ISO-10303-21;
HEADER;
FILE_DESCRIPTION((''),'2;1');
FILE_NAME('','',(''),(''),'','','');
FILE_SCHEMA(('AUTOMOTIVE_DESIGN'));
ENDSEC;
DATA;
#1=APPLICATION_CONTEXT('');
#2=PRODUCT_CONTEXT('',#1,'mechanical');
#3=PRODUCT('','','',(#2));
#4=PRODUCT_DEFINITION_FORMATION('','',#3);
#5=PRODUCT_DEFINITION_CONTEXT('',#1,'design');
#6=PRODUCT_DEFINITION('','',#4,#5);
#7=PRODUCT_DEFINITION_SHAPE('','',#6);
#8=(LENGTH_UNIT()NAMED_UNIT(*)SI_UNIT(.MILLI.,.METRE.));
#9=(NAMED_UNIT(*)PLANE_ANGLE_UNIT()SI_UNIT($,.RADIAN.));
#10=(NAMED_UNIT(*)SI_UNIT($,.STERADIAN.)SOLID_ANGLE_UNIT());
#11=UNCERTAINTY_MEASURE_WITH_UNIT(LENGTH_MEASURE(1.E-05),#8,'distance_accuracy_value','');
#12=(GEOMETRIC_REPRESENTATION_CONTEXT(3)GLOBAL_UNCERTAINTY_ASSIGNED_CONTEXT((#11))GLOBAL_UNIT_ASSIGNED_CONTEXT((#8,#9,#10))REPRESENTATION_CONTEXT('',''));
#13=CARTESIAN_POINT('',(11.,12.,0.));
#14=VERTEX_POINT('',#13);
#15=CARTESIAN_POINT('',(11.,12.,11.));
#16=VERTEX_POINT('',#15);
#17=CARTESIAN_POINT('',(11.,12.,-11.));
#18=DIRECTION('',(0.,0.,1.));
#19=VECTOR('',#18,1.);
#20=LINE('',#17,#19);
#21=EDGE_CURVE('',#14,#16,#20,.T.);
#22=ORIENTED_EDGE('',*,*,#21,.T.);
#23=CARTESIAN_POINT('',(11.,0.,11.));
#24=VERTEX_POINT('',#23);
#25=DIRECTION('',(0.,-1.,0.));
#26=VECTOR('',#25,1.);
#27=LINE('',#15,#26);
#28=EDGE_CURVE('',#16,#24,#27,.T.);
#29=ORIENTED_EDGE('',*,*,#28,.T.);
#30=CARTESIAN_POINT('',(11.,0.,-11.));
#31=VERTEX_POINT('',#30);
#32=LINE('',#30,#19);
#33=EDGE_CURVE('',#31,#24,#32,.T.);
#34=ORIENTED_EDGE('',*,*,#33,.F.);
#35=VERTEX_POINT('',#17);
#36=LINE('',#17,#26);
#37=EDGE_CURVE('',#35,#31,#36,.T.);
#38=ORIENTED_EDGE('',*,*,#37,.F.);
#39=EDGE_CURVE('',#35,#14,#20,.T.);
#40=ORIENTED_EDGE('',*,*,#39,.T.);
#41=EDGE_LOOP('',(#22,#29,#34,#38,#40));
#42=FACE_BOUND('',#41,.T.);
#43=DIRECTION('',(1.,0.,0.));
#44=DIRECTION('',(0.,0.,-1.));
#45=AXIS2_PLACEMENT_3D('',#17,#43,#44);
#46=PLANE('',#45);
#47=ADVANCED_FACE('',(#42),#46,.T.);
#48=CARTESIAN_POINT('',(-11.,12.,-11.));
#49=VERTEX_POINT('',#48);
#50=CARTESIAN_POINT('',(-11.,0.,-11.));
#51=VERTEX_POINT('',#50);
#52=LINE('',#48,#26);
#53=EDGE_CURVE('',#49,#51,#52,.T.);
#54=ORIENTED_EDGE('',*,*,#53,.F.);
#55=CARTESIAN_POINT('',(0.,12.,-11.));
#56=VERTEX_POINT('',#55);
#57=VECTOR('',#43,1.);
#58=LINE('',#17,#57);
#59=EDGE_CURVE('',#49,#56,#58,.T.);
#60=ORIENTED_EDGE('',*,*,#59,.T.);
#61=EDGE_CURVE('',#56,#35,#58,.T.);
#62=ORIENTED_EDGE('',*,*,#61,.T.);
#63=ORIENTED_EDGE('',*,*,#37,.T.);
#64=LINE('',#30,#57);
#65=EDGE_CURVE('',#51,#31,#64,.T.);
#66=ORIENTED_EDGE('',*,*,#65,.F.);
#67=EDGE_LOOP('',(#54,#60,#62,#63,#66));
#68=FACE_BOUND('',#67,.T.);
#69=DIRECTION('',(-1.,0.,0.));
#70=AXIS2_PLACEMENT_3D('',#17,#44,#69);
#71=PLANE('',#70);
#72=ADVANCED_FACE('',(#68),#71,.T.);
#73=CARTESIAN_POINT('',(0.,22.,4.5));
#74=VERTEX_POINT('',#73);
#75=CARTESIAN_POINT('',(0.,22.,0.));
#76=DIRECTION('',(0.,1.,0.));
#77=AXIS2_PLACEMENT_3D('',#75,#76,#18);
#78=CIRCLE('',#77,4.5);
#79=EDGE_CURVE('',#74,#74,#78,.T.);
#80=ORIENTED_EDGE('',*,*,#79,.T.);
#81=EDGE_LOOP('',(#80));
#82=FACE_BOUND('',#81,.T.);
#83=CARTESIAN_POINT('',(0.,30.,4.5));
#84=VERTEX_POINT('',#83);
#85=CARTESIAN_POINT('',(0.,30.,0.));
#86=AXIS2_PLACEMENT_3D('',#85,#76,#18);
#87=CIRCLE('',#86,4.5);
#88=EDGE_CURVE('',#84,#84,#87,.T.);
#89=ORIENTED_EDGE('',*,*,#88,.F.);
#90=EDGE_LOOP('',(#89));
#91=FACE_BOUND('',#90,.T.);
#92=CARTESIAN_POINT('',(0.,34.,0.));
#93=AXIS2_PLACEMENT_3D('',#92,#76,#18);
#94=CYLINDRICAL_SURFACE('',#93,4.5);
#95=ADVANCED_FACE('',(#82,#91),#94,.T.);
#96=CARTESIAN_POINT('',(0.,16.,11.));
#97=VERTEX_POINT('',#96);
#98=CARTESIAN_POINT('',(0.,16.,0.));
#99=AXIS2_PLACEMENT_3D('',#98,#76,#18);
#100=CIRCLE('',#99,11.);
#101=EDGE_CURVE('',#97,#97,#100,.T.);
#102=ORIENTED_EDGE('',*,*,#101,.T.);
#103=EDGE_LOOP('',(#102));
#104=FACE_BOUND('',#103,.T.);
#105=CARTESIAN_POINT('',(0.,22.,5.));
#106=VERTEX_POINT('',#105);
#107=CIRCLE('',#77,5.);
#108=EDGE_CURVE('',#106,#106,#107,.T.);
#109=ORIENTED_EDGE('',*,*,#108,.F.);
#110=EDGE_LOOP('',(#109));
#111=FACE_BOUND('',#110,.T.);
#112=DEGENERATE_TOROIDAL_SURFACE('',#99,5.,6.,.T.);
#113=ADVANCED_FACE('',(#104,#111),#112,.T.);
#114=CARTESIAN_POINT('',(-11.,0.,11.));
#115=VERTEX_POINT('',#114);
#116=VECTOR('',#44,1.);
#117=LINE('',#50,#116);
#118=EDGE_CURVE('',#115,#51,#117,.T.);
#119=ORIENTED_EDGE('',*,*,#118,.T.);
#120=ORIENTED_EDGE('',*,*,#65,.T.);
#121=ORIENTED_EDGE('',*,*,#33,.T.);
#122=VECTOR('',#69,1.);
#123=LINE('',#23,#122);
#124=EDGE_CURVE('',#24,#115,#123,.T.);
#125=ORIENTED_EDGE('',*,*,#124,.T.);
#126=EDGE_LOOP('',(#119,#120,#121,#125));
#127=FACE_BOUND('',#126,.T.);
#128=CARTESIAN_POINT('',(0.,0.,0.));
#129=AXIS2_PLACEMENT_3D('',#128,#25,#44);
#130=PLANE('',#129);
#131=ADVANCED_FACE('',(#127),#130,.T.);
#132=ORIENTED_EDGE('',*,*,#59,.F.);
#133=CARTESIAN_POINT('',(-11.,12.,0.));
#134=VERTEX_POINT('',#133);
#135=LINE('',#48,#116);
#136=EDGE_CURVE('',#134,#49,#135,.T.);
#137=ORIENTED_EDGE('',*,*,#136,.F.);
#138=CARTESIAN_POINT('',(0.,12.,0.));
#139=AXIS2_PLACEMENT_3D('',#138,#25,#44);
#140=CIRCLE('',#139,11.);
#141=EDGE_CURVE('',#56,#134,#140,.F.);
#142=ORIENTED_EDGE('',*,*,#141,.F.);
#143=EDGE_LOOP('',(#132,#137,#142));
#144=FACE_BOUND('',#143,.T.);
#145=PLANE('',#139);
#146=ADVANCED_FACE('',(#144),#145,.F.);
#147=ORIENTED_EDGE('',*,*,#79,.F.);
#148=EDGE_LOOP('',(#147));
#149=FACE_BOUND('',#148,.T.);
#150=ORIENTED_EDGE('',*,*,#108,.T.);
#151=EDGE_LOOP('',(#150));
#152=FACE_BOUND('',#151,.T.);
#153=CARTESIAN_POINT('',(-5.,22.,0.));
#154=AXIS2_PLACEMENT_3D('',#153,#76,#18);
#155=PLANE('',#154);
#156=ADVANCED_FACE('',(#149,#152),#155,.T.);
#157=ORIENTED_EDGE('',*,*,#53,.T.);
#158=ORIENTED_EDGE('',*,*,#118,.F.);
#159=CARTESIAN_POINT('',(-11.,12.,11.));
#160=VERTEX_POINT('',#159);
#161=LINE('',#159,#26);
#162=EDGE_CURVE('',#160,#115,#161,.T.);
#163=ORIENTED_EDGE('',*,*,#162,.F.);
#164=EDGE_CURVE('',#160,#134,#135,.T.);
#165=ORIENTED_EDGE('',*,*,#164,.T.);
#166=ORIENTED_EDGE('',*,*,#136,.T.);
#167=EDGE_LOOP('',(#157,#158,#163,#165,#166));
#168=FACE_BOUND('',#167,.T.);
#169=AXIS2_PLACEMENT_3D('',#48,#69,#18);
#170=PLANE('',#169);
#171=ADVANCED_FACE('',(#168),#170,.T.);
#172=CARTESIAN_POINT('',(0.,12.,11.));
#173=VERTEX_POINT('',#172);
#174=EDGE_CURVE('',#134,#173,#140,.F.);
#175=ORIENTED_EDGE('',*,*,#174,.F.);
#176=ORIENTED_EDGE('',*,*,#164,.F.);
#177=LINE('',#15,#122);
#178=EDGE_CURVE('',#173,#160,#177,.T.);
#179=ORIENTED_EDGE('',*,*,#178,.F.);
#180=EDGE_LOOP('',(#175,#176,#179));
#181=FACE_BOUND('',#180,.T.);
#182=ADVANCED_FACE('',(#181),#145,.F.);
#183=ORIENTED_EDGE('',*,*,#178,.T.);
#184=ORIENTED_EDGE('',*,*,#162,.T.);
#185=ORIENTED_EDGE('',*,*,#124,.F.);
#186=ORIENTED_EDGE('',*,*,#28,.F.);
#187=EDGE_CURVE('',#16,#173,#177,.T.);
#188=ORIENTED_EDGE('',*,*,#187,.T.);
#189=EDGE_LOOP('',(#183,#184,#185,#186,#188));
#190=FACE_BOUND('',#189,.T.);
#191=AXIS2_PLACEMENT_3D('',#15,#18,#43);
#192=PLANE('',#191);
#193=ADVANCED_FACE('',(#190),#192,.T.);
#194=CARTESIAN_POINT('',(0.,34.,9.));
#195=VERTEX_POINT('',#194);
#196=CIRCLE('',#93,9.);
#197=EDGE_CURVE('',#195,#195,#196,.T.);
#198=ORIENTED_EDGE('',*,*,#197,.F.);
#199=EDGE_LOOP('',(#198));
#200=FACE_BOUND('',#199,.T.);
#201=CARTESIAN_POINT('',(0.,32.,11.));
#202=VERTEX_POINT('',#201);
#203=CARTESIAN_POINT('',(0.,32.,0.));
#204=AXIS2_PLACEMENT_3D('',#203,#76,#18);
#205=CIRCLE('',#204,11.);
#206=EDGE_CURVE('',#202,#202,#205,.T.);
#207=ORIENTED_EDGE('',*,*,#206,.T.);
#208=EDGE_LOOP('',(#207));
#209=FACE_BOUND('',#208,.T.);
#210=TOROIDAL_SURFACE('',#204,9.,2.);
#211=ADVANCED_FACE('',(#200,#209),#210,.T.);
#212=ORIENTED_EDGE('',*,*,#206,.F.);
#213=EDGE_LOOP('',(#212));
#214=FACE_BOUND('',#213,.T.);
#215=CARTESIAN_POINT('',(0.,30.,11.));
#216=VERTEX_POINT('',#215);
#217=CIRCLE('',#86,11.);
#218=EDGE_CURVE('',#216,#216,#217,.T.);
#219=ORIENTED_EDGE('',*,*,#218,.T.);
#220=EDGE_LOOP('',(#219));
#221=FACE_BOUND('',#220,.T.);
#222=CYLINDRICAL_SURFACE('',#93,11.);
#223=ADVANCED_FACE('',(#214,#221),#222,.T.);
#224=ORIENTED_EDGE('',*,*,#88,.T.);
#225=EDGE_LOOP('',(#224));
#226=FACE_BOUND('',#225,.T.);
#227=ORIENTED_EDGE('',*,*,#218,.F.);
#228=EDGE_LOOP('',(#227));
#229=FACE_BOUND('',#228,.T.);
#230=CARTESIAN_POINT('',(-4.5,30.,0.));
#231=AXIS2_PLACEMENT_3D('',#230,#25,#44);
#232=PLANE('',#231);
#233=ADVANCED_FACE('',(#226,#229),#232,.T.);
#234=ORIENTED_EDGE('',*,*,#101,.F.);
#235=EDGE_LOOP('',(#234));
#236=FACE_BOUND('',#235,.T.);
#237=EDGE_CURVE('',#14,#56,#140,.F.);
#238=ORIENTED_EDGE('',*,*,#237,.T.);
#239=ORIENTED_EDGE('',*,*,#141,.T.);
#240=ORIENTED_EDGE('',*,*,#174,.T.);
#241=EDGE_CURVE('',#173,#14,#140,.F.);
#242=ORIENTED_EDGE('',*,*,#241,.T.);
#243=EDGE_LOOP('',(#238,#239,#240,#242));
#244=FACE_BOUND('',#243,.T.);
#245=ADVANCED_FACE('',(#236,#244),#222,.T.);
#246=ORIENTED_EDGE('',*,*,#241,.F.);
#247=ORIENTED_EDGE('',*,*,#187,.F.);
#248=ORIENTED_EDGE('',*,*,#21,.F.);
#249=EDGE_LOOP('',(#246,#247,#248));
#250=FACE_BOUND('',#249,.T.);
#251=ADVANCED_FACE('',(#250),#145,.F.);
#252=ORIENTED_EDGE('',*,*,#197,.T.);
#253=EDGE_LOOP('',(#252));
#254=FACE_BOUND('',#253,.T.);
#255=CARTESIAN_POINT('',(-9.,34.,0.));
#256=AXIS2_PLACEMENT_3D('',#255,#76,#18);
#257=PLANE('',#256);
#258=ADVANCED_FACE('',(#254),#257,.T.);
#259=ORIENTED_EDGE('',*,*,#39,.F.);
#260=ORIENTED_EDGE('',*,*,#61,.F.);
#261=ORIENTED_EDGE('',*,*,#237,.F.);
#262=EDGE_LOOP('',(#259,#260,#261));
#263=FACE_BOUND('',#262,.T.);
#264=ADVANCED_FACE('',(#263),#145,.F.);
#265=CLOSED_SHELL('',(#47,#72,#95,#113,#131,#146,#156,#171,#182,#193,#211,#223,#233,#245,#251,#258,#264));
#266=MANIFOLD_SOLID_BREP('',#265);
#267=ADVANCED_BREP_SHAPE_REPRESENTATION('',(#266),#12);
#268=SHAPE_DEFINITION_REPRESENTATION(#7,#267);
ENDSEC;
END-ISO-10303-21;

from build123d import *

# Parameters (mm, degrees)
SKETCH2_W         = 22
SKETCH2_H         = 22
SWITCH_BASE_DEPTH = 12


with BuildPart() as part:
    # Sketch1 → Stick Revolve (revolve)
    with BuildSketch(Plane.XY):
        with BuildLine():
            Line((0, 0), (-11, 0))
            Line((-11, 0), (-11, 16))
            ThreePointArc((-11, 16), (-9.242640687, 20.242640687), (-5, 22))
            Line((-5, 22), (-4.5, 22))
            Line((-4.5, 22), (-4.5, 30))
            Line((-4.5, 30), (-11, 30))
            Line((-11, 30), (-11, 32))
            ThreePointArc((-11, 32), (-10.414213562, 33.414213562), (-9, 34))
            Line((-9, 34), (0, 34))
            Line((0, 34), (0, 0))
        make_face()
    revolve(axis=Axis((0, 34, 0), (0, -1, 0)))

    # Sketch2 → Switch Base (add)
    with BuildSketch(Plane.XZ):
        Rectangle(SKETCH2_W, SKETCH2_H)
    extrude(amount=-SWITCH_BASE_DEPTH)


solid = part.part
